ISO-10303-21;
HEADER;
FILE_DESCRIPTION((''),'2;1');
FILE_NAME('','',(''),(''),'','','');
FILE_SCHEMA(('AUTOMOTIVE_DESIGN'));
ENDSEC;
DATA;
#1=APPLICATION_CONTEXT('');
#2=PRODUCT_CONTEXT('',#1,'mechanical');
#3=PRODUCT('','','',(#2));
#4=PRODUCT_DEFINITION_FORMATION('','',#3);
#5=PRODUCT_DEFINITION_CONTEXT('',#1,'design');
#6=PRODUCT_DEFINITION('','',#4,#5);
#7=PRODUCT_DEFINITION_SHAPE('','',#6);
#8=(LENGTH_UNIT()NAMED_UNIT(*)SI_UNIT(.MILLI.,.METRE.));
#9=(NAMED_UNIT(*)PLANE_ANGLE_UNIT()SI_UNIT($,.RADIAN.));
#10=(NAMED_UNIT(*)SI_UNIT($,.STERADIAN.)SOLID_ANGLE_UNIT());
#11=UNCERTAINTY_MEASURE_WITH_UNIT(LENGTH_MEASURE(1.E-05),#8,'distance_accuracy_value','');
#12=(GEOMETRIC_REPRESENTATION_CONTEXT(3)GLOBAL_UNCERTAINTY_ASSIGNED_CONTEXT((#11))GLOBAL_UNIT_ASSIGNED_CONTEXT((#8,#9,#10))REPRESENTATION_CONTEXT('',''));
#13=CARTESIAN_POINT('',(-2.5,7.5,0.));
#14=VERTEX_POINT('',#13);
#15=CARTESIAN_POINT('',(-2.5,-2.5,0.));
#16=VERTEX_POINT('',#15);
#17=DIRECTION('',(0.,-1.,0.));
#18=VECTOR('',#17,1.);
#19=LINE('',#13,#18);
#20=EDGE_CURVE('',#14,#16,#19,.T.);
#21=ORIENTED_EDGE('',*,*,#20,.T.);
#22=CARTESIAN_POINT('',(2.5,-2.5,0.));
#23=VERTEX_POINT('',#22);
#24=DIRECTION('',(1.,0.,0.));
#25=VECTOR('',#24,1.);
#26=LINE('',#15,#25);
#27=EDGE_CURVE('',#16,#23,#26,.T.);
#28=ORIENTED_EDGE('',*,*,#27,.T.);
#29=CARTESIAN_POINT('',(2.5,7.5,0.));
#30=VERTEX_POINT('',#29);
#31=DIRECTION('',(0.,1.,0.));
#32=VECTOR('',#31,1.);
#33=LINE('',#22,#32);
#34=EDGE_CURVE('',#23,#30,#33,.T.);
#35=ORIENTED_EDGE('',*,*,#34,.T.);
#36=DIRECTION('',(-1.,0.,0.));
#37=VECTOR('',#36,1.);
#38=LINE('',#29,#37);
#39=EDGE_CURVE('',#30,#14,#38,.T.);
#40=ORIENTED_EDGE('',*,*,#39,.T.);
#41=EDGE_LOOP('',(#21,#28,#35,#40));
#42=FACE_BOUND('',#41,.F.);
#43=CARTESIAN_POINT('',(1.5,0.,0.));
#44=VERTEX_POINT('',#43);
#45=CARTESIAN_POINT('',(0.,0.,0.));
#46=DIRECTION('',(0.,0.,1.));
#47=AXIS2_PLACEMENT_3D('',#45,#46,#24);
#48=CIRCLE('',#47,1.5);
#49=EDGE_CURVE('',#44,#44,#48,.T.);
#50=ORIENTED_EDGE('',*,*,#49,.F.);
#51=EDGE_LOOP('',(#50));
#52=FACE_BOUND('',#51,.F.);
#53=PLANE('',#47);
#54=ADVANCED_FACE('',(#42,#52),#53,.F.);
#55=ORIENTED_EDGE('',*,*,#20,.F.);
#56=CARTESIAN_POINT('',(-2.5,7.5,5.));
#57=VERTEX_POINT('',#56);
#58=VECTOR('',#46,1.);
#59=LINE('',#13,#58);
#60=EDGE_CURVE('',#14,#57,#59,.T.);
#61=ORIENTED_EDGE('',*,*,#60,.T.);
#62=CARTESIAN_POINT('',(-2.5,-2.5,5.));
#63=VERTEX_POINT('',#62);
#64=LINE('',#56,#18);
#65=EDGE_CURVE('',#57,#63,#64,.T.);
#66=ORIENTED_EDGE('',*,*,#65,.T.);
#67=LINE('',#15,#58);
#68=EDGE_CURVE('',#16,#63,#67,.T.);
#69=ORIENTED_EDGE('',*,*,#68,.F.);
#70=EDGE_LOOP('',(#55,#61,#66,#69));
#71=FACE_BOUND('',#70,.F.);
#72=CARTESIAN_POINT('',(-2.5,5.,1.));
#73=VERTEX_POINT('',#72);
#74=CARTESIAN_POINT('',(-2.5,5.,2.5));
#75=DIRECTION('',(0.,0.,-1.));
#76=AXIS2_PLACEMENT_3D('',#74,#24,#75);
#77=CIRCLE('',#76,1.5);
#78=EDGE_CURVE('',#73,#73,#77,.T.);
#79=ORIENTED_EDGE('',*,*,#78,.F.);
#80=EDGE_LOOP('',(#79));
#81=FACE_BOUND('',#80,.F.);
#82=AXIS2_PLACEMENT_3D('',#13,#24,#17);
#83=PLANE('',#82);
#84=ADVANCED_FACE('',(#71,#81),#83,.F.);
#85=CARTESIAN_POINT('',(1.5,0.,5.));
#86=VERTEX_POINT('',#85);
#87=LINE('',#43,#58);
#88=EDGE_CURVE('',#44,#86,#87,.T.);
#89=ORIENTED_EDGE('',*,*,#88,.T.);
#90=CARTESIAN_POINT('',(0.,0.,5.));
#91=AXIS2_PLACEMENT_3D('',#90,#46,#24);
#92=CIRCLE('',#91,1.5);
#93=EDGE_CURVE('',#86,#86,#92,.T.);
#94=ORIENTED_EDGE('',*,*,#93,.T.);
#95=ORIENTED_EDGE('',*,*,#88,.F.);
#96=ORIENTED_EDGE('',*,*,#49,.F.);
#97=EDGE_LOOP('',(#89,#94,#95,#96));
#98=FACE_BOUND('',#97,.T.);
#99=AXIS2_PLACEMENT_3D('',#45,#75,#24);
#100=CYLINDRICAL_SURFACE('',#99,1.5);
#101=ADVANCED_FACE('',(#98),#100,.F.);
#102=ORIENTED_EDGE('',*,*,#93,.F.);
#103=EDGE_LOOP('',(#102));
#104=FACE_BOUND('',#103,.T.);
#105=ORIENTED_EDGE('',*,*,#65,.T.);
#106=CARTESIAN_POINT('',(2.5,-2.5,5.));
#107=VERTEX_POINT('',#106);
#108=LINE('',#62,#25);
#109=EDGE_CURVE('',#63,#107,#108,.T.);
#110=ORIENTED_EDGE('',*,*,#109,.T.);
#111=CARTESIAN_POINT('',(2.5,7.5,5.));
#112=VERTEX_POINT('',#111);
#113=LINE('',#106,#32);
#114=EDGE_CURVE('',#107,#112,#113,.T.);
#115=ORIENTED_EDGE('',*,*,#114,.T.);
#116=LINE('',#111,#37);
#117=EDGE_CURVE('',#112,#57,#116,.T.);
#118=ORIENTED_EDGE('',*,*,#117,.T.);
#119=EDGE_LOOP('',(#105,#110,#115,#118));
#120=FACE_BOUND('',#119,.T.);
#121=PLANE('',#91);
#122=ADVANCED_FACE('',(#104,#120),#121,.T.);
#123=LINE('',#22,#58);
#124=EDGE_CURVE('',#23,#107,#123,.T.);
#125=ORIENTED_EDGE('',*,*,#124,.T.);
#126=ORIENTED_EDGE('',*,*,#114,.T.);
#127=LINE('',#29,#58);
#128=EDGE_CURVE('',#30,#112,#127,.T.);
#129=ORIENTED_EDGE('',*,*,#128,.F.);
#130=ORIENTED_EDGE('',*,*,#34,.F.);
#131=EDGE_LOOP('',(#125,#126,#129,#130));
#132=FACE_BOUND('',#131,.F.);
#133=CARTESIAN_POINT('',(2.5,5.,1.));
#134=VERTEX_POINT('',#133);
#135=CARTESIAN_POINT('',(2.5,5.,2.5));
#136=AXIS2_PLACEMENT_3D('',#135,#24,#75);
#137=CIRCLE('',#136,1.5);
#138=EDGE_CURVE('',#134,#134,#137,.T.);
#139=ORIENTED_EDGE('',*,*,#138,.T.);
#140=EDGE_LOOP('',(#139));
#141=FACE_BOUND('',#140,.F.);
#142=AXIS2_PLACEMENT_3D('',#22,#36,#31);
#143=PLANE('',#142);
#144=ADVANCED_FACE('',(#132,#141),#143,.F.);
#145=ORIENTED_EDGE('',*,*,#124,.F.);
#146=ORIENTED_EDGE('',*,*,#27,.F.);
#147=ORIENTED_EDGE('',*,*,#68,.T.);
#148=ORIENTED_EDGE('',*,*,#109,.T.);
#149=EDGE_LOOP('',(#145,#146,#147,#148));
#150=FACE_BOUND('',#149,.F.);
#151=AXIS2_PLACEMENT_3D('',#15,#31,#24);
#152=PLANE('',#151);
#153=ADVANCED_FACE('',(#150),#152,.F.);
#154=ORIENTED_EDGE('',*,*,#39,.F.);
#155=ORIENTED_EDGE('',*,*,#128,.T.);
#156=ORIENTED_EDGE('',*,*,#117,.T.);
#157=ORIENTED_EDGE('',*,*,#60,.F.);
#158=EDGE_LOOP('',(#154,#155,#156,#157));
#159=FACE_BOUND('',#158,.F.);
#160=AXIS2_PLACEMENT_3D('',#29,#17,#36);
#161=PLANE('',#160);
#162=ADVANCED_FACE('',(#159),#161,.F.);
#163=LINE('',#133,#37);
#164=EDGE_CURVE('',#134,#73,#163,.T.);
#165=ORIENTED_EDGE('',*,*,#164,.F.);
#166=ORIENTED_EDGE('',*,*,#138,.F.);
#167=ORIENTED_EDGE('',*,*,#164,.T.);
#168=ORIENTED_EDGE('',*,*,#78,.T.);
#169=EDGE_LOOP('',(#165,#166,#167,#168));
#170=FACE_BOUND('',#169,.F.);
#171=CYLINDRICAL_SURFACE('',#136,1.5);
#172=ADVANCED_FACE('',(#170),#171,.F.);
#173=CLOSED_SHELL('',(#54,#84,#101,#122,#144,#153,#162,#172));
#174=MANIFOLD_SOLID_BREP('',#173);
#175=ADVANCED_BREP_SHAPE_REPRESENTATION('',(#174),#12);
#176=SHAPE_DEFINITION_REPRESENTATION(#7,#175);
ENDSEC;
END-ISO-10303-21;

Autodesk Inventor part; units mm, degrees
ref_plane "YZ Plane" through (0, 0, 0) normal (1, 0, 0) x (0, 1, 0)
ref_plane "XZ Plane" through (0, 0, 0) normal (0, 1, 0) x (-1, 0, 0)
ref_plane "XY Plane" through (0, 0, 0) normal (0, 0, 1) x (1, 0, 0)
sketch "Sketch1" plane through (0, 0, 0) normal (0, 0, 1) x (1, 0, 0)
  circle A0 centre (0, 0) radius 1.5
  line L0 (0, 0) -> (0, 5) construction
  circle A1 centre (0, 5) radius 1.25 construction
  line L1 (0, 0) -> (-2.5, 0) construction
  line L2 (-2.5, 0) -> (-2.5, -2.5) construction
  line L3 (0, 5) -> (0, 7.5) construction
  line L4 (0, 7.5) -> (2.5, 7.5) construction
  line L5 (-2.5, -2.5) -> (2.5, -2.5)
  line L6 (2.5, -2.5) -> (2.5, 7.5)
  line L7 (2.5, 7.5) -> (-2.5, 7.5)
  line L8 (-2.5, 7.5) -> (-2.5, -2.5)
  dimension "d0" = 3
  dimension "d1" = 5
  dimension "d2" = 2.5
  dimension "d3" = 2.5
  dimension "d4" = 2.5
  dimension "d5" = 2.5
  dimension "d6" = 2.5
extrude "Extrusion1" add sketch "Sketch1" along normal blind 5
sketch "Sketch2" plane through (2.5, -2.5, 0) normal (1, 0, 0) x (0, 0, -1)
  line L0 (-5, 1) -> (-5, 4) projected
  line L1 (0, 0) -> (0, 10) projected
  line L2 (0, 10) -> (-5, 10) projected
  line L3 (-5, 0) -> (-5, 10) projected
  line L4 (0, 0) -> (-5, 0) projected
  line L5 (-5, 0) -> (-5, 10) construction
  line L6 (-5, 2.5) -> (-2.5, 2.5) construction
  line L7 (-2.5, 2.5) -> (-2.5, 2.5) construction
  line L8 (-2.5, 2.5) -> (-2.5, 7.5) construction
  circle A0 centre (-2.5, 7.5) radius 1.5
  point P0 (0, 2.5)
  dimension "d9" = 2.5
  dimension "d10" = 0
  dimension "d11" = 5
  dimension "d12" = 3
extrude "Extrusion2" cut sketch "Sketch2" against normal blind 5 contours A0
properties part number "UnionOrtogonal"
